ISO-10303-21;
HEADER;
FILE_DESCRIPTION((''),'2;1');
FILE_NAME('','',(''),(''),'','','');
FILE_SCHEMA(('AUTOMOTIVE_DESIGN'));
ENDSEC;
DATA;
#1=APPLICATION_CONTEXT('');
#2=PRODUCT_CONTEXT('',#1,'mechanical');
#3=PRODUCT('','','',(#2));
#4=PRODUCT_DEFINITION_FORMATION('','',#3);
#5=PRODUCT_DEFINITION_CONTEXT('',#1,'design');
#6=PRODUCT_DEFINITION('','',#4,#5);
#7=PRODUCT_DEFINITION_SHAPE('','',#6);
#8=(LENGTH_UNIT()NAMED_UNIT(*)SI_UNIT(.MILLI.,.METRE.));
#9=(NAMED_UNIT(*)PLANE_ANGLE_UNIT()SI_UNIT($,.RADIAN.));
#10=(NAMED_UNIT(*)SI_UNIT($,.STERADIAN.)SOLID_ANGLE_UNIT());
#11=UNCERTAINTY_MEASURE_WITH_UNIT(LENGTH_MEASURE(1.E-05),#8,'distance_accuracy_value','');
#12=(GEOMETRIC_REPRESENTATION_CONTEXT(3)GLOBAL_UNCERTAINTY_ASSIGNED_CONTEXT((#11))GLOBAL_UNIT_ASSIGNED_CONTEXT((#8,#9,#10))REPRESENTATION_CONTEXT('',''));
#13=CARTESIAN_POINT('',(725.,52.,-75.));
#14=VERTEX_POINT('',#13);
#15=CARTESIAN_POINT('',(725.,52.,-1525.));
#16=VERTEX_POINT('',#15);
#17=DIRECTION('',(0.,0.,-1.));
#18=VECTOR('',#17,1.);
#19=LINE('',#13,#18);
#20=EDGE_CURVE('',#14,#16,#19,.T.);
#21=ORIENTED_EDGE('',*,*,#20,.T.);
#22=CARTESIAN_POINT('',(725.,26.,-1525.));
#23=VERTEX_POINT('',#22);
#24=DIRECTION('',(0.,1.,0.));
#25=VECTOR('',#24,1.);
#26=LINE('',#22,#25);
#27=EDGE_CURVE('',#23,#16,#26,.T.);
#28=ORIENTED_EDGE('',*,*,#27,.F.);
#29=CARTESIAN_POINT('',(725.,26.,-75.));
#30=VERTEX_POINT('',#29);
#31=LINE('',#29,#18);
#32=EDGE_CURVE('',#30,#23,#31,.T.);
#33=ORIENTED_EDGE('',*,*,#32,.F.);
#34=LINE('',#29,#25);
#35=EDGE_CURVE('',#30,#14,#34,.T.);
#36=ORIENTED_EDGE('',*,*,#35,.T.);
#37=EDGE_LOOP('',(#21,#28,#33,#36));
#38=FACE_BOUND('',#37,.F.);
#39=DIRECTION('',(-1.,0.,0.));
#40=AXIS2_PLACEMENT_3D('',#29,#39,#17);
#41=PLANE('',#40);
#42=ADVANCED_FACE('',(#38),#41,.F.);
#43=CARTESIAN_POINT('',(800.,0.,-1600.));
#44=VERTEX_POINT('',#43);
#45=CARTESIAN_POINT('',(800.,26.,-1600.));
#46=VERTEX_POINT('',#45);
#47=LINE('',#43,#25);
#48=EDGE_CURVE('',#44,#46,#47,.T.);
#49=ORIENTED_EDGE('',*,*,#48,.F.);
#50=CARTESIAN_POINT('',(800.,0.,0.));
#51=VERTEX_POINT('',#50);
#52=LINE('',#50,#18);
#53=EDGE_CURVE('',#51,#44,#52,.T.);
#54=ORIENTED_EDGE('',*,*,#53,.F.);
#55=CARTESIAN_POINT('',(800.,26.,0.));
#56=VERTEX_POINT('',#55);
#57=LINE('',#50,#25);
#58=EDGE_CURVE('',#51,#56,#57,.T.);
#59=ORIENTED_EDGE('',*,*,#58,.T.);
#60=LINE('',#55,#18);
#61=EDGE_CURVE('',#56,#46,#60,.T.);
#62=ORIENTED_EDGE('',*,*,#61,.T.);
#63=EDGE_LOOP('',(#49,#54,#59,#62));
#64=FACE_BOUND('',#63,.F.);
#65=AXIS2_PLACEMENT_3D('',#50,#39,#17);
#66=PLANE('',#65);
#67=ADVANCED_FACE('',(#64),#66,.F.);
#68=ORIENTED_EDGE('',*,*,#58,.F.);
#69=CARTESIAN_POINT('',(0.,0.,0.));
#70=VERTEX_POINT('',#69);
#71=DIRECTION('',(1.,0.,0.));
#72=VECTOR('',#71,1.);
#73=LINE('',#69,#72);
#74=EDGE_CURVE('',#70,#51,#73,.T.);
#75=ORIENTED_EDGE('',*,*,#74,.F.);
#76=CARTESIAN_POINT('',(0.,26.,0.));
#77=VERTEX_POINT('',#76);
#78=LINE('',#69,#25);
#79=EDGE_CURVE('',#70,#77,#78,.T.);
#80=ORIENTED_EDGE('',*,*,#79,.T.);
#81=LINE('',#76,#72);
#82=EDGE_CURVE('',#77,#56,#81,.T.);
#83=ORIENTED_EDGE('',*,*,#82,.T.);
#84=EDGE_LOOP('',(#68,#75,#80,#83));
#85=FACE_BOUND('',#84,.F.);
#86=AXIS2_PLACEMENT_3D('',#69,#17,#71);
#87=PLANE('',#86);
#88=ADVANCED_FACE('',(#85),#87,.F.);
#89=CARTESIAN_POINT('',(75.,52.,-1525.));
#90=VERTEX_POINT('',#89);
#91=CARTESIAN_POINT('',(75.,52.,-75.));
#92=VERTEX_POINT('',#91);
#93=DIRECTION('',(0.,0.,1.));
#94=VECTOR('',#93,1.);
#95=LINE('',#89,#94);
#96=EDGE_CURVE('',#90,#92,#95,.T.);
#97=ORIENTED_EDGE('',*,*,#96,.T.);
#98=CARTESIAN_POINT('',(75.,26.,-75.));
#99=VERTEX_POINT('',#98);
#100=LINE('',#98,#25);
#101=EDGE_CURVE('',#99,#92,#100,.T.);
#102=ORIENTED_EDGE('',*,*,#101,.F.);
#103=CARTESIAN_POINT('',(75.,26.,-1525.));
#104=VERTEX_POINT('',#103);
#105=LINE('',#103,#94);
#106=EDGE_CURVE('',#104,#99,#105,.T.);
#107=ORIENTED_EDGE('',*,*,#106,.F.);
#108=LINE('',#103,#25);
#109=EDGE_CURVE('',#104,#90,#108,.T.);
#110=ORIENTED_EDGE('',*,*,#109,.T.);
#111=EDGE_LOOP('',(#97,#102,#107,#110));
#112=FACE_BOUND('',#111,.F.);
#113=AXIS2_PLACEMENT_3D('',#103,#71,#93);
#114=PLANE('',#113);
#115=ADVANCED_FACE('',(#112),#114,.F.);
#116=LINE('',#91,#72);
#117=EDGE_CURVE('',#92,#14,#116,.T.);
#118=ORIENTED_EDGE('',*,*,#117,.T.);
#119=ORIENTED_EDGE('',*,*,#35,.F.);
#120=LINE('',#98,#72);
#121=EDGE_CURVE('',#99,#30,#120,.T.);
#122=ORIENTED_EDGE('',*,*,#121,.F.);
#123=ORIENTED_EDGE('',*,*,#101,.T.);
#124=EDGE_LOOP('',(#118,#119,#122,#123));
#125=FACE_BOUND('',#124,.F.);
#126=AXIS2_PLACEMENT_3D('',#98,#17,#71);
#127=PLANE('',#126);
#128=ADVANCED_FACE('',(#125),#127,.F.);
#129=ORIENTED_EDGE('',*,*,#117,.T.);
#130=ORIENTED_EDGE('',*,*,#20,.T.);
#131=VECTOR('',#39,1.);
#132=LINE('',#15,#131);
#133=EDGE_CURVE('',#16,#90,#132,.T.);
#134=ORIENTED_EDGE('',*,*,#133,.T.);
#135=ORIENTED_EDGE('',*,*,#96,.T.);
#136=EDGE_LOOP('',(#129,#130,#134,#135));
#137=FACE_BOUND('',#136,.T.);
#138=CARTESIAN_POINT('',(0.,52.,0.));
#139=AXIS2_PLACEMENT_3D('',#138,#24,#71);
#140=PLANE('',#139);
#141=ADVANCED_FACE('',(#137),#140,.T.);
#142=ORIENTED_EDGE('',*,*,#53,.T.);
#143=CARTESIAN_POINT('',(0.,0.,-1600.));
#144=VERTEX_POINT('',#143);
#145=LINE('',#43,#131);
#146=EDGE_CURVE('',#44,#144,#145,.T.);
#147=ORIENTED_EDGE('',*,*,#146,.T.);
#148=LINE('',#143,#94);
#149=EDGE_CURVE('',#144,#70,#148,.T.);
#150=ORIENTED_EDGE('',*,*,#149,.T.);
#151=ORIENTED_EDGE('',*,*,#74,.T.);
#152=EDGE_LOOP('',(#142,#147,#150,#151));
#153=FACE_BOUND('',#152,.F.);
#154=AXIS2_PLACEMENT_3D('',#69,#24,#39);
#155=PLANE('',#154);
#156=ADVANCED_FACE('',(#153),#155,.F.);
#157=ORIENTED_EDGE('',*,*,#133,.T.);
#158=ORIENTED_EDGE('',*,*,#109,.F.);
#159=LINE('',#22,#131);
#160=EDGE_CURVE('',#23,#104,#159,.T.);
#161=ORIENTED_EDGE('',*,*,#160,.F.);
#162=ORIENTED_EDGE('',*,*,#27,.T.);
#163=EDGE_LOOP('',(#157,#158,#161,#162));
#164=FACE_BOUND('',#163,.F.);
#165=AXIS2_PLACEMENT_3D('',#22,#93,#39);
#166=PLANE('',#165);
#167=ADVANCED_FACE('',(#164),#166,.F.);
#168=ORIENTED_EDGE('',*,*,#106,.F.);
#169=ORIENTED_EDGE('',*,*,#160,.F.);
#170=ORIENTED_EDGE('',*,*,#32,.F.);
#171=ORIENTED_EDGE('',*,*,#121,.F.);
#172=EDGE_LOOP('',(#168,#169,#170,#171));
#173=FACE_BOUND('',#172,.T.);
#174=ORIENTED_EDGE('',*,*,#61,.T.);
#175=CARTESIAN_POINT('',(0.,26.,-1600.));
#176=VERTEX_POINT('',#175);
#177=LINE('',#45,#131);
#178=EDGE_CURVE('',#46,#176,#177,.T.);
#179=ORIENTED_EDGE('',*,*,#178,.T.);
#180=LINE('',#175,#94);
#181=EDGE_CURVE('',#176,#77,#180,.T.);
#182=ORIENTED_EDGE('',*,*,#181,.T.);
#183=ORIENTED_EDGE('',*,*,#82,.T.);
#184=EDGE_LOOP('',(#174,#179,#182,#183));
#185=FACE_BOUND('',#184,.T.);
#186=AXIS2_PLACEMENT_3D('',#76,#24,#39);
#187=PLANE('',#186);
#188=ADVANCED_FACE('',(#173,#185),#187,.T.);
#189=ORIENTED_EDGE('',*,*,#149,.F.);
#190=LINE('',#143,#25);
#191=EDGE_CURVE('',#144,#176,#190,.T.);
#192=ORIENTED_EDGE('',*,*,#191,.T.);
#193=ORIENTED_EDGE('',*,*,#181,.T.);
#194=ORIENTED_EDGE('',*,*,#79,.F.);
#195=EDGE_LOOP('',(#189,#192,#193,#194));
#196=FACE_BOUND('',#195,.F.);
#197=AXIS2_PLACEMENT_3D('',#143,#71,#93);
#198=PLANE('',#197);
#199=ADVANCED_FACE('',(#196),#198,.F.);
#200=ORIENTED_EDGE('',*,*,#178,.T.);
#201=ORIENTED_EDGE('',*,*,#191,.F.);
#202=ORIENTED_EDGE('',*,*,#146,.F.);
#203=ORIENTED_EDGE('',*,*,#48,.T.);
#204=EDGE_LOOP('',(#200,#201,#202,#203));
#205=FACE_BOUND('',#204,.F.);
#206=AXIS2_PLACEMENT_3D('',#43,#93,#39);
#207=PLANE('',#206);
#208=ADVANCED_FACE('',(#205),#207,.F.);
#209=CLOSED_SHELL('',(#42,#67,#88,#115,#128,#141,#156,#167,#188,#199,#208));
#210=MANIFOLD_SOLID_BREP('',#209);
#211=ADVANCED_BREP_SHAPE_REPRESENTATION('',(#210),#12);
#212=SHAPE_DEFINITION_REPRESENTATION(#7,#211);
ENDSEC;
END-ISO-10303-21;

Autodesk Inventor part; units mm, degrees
ref_plane "YZ Plane" through (0, 0, 0) normal (1, 0, 0) x (0, 1, 0)
ref_plane "XZ Plane" through (0, 0, 0) normal (0, 1, 0) x (-1, 0, 0)
ref_plane "XY Plane" through (0, 0, 0) normal (0, 0, 1) x (1, 0, 0)
sketch "Sketch1" plane through (0, 0, 0) normal (0, 1, 0) x (-1, 0, 0)
  line L0 (0, 0) -> (-800, 0)
  line L1 (-800, 0) -> (-800, -1600)
  line L2 (-800, -1600) -> (0, -1600)
  line L3 (0, -1600) -> (0, 0)
  dimension "d0" = 800
  dimension "d1" = 1600
extrude "Extrusion1" add sketch "Sketch1" along normal blind 26
sketch "Sketch2" plane through (0, 26, 0) normal (0, 1, 0) x (1, 0, 0)
  line L0 (75, 75) -> (725, 75)
  line L1 (725, 75) -> (725, 1525)
  line L2 (725, 1525) -> (75, 1525)
  line L3 (75, 1525) -> (75, 75)
  line L4 (0, 1600) -> (0, 0) projected
  line L5 (800, 0) -> (800, 1600) projected
  line L6 (0, 0) -> (800, 0) projected
  line L7 (800, 1600) -> (0, 1600) projected
  dimension "d4" = 75
  dimension "d5" = 75
  dimension "d6" = 75
  dimension "d7" = 75
extrude "Extrusion2" add sketch "Sketch2" along normal blind 26 contours L3 L2 L1 L0
sketch "Sketch3" plane through (0, 52, 0) normal (0, 1, 0) x (1, 0, 0)
  point P0 (0, 0)
sketch "Sketch4" plane through (0, 52, 0) normal (0, 1, 0) x (1, 0, 0)
  point P0 (0, 0)
properties part number "tabletop" material "Walnut"
